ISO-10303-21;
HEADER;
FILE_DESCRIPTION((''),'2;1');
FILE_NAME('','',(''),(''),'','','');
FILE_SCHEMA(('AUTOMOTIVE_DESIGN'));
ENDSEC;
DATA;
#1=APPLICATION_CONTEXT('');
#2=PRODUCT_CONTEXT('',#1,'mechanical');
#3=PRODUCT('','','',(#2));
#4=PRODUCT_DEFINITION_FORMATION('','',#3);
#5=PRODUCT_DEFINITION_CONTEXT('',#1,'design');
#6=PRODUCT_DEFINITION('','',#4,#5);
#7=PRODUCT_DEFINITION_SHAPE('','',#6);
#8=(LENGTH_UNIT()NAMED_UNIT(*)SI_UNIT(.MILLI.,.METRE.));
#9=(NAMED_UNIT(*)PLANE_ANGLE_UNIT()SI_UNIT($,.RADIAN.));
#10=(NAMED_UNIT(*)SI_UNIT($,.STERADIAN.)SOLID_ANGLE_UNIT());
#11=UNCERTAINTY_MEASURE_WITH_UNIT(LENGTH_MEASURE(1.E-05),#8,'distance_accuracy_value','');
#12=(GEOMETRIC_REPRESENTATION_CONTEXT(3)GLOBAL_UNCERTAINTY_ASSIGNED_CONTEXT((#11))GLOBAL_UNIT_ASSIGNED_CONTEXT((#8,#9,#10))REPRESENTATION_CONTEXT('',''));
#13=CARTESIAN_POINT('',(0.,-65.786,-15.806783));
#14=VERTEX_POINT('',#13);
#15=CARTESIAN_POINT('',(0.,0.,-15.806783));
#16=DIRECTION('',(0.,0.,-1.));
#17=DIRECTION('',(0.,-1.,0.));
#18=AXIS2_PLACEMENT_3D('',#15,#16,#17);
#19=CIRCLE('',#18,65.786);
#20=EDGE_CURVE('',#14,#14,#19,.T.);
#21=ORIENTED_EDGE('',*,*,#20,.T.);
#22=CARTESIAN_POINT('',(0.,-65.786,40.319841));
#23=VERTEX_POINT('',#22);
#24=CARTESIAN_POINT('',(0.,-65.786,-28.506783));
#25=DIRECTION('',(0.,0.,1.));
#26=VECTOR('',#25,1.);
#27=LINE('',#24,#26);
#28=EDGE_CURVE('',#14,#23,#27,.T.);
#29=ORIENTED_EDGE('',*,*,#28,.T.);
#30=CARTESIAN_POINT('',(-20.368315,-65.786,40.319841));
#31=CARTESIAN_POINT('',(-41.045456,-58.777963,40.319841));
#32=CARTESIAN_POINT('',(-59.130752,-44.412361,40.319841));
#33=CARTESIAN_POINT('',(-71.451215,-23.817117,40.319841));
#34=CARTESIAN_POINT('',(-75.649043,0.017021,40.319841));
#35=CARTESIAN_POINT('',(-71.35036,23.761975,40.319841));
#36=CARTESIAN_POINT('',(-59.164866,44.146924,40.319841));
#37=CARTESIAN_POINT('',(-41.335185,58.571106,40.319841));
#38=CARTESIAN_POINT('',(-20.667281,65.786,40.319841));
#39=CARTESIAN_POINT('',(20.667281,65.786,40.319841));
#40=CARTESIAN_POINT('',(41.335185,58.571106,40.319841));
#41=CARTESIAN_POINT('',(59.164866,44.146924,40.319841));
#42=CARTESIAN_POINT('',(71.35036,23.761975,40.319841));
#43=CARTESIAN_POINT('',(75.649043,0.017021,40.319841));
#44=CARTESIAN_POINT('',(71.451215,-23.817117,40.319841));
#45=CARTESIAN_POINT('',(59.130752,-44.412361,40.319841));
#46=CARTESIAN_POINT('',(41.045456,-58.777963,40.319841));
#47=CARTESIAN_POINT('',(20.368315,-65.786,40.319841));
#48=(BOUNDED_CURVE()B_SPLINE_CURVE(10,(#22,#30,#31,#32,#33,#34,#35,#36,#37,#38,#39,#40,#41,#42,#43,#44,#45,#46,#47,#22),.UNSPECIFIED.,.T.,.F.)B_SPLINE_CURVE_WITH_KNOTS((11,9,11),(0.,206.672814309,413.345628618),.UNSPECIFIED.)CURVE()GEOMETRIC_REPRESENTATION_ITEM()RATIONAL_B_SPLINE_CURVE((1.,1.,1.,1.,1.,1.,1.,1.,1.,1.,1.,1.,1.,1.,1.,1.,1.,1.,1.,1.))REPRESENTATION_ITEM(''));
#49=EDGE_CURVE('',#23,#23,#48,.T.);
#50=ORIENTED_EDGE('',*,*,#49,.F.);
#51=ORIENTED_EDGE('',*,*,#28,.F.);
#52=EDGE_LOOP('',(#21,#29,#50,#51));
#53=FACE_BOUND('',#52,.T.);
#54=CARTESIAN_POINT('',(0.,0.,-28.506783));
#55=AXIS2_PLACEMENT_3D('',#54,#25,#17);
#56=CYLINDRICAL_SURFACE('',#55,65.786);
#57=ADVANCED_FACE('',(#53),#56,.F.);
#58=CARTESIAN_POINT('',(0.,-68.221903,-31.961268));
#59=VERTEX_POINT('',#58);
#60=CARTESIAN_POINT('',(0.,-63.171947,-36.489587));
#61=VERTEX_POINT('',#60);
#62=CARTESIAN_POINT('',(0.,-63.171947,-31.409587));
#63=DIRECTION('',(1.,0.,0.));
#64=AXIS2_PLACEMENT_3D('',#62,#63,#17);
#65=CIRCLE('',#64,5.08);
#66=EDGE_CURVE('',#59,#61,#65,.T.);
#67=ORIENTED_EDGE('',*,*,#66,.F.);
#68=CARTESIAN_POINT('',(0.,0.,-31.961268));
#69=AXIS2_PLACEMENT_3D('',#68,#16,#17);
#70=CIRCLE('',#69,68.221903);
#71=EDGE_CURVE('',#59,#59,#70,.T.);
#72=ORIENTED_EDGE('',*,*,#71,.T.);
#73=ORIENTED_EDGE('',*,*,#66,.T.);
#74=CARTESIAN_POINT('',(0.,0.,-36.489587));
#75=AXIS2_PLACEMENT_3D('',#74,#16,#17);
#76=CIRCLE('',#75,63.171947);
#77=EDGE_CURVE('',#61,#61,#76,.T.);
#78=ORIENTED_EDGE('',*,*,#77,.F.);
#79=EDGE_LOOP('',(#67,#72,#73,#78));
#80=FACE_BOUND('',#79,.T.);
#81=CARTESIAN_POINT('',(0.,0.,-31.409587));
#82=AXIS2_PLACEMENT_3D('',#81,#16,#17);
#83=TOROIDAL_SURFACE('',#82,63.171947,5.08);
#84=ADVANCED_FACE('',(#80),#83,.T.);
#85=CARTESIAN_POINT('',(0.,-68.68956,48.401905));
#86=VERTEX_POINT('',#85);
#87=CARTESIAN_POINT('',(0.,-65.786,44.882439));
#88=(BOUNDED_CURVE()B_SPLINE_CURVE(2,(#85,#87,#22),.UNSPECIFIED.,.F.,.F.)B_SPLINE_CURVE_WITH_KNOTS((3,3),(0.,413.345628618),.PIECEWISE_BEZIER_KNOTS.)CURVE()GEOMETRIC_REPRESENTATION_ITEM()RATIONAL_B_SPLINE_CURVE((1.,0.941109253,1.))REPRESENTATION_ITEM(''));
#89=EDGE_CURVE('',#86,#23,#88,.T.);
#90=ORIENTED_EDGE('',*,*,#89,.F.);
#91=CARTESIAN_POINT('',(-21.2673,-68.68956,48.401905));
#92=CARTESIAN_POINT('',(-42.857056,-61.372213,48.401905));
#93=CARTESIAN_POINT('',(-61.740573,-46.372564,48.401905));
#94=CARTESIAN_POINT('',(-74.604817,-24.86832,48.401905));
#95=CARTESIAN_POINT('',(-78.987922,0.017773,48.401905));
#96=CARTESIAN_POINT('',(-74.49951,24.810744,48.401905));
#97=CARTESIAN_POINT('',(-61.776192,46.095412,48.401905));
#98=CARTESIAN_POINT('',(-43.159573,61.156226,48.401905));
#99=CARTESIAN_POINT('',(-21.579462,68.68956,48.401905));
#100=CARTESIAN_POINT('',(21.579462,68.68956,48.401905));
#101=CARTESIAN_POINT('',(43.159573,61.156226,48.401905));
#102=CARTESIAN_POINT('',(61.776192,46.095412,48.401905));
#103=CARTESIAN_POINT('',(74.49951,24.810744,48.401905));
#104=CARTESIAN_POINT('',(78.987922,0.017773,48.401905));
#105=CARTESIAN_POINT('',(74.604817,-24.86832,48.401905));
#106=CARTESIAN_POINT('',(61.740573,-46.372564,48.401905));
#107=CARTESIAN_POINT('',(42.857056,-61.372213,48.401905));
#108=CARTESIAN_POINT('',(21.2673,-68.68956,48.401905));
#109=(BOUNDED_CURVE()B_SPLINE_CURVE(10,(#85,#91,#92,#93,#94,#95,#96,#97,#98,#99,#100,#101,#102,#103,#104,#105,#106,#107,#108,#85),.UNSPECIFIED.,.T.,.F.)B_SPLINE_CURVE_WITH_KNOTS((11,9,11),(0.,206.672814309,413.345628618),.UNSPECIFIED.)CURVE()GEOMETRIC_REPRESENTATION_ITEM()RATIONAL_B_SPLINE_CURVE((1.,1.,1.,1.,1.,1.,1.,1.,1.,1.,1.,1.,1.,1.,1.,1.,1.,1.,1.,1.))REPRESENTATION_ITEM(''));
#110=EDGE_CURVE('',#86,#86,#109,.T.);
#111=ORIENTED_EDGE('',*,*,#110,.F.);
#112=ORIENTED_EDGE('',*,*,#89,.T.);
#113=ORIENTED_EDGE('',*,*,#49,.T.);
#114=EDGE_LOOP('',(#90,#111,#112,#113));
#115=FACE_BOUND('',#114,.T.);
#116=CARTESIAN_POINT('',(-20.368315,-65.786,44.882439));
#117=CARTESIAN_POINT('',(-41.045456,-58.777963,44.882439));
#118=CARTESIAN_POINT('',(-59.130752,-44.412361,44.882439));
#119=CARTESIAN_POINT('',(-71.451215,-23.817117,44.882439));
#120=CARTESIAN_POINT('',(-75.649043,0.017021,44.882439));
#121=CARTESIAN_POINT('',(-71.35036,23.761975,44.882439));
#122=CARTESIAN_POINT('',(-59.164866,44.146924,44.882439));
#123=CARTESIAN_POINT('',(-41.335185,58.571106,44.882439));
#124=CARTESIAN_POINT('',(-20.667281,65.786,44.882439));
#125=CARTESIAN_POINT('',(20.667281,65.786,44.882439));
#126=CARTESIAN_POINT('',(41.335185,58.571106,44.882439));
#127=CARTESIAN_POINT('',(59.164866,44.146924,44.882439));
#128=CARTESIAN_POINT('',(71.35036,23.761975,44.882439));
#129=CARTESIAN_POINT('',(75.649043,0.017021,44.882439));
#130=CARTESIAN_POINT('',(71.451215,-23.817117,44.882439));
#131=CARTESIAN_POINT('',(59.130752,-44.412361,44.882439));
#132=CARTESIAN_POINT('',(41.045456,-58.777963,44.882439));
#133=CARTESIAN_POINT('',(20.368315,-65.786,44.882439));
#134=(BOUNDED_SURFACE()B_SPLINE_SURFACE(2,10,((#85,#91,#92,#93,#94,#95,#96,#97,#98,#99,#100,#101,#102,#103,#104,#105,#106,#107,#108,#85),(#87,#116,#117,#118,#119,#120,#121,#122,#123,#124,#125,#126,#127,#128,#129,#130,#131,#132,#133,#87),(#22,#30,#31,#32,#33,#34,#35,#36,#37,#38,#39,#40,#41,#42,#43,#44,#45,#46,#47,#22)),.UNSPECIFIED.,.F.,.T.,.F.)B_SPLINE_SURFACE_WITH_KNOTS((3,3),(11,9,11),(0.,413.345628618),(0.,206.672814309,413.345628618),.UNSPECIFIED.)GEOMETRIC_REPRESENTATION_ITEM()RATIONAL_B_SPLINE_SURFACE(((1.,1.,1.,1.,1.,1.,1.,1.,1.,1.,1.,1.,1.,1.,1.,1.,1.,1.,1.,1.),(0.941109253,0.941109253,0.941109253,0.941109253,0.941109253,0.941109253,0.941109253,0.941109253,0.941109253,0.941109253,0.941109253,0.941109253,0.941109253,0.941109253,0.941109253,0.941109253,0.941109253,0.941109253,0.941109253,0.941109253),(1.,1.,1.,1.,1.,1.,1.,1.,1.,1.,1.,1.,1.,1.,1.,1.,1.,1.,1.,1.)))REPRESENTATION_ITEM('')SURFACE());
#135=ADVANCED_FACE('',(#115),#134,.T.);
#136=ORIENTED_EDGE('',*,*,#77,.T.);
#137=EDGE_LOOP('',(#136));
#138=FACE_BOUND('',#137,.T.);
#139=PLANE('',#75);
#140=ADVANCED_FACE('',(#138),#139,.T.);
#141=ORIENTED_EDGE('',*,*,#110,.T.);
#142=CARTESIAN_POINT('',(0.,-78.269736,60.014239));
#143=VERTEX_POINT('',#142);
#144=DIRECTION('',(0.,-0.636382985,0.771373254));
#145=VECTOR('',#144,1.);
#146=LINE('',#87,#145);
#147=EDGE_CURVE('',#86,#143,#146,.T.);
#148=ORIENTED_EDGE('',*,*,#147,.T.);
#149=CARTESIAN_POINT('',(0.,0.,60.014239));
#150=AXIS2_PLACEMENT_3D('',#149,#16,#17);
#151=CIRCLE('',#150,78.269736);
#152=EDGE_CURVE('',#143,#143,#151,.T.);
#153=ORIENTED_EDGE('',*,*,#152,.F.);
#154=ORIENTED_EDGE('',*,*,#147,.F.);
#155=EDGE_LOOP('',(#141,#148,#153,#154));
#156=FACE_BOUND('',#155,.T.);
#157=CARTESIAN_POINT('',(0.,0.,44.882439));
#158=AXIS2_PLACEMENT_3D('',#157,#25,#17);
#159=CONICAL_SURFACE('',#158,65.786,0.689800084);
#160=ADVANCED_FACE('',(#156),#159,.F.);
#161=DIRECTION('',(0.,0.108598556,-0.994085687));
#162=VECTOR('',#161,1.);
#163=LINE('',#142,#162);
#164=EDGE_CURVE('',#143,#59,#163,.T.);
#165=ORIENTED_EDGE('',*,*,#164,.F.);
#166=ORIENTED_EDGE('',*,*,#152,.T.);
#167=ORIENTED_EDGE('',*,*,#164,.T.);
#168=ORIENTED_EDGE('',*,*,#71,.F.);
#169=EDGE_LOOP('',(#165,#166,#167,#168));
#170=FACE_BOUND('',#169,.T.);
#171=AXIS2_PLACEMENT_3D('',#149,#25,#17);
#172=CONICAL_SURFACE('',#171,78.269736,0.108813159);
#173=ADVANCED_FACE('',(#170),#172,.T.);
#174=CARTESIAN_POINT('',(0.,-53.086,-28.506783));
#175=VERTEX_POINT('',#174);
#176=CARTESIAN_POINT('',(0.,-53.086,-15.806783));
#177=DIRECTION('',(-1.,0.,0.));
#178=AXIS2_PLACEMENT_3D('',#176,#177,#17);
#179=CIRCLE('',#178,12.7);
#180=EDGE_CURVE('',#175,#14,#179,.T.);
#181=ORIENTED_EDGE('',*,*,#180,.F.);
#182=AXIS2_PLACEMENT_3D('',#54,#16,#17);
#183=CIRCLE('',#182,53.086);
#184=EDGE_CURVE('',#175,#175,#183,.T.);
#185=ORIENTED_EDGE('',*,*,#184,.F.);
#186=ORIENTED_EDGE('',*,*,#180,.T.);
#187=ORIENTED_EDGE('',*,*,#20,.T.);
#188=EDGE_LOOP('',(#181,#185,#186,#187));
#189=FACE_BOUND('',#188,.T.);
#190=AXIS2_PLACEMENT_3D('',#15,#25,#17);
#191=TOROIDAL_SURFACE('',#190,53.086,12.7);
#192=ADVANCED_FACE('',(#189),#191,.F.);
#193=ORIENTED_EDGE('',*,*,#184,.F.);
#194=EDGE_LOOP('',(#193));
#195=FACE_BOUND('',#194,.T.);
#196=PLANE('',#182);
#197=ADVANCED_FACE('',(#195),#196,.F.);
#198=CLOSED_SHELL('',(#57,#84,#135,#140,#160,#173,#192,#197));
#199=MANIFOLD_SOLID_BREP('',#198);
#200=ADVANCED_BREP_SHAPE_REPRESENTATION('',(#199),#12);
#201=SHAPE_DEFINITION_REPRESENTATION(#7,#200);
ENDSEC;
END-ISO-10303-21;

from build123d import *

# Parameters (mm, degrees)
F2_R = 12.7
F3_R = 5.08


with BuildPart() as f1:
    # F0 (on Right) → F1 (revolve)
    with BuildSketch(Plane.YZ):
        Polygon((-65.786, 44.882439), (-78.269736, 60.014239), (-67.727208, -36.489587), (0, -36.489587), (0, -28.506783), (-65.786, -28.506783), align=None)
    revolve(axis=Axis((0, 0, -32.498185), (0, 0, -1)))

    # F2
    f2_edges = [f1.edges().sort_by_distance(p)[0] for p in [
        (0, 65.786, -28.506783),
        (0, 65.786, 44.882439),
        (0, -65.786, 8.187828),
    ]]
    fillet(f2_edges, radius=F2_R)

    # F3
    f3_edges = [f1.edges().sort_by_distance(p)[0] for p in [
        (0, 67.727208, -36.489587),
    ]]
    fillet(f3_edges, radius=F3_R)


solid = f1.part
